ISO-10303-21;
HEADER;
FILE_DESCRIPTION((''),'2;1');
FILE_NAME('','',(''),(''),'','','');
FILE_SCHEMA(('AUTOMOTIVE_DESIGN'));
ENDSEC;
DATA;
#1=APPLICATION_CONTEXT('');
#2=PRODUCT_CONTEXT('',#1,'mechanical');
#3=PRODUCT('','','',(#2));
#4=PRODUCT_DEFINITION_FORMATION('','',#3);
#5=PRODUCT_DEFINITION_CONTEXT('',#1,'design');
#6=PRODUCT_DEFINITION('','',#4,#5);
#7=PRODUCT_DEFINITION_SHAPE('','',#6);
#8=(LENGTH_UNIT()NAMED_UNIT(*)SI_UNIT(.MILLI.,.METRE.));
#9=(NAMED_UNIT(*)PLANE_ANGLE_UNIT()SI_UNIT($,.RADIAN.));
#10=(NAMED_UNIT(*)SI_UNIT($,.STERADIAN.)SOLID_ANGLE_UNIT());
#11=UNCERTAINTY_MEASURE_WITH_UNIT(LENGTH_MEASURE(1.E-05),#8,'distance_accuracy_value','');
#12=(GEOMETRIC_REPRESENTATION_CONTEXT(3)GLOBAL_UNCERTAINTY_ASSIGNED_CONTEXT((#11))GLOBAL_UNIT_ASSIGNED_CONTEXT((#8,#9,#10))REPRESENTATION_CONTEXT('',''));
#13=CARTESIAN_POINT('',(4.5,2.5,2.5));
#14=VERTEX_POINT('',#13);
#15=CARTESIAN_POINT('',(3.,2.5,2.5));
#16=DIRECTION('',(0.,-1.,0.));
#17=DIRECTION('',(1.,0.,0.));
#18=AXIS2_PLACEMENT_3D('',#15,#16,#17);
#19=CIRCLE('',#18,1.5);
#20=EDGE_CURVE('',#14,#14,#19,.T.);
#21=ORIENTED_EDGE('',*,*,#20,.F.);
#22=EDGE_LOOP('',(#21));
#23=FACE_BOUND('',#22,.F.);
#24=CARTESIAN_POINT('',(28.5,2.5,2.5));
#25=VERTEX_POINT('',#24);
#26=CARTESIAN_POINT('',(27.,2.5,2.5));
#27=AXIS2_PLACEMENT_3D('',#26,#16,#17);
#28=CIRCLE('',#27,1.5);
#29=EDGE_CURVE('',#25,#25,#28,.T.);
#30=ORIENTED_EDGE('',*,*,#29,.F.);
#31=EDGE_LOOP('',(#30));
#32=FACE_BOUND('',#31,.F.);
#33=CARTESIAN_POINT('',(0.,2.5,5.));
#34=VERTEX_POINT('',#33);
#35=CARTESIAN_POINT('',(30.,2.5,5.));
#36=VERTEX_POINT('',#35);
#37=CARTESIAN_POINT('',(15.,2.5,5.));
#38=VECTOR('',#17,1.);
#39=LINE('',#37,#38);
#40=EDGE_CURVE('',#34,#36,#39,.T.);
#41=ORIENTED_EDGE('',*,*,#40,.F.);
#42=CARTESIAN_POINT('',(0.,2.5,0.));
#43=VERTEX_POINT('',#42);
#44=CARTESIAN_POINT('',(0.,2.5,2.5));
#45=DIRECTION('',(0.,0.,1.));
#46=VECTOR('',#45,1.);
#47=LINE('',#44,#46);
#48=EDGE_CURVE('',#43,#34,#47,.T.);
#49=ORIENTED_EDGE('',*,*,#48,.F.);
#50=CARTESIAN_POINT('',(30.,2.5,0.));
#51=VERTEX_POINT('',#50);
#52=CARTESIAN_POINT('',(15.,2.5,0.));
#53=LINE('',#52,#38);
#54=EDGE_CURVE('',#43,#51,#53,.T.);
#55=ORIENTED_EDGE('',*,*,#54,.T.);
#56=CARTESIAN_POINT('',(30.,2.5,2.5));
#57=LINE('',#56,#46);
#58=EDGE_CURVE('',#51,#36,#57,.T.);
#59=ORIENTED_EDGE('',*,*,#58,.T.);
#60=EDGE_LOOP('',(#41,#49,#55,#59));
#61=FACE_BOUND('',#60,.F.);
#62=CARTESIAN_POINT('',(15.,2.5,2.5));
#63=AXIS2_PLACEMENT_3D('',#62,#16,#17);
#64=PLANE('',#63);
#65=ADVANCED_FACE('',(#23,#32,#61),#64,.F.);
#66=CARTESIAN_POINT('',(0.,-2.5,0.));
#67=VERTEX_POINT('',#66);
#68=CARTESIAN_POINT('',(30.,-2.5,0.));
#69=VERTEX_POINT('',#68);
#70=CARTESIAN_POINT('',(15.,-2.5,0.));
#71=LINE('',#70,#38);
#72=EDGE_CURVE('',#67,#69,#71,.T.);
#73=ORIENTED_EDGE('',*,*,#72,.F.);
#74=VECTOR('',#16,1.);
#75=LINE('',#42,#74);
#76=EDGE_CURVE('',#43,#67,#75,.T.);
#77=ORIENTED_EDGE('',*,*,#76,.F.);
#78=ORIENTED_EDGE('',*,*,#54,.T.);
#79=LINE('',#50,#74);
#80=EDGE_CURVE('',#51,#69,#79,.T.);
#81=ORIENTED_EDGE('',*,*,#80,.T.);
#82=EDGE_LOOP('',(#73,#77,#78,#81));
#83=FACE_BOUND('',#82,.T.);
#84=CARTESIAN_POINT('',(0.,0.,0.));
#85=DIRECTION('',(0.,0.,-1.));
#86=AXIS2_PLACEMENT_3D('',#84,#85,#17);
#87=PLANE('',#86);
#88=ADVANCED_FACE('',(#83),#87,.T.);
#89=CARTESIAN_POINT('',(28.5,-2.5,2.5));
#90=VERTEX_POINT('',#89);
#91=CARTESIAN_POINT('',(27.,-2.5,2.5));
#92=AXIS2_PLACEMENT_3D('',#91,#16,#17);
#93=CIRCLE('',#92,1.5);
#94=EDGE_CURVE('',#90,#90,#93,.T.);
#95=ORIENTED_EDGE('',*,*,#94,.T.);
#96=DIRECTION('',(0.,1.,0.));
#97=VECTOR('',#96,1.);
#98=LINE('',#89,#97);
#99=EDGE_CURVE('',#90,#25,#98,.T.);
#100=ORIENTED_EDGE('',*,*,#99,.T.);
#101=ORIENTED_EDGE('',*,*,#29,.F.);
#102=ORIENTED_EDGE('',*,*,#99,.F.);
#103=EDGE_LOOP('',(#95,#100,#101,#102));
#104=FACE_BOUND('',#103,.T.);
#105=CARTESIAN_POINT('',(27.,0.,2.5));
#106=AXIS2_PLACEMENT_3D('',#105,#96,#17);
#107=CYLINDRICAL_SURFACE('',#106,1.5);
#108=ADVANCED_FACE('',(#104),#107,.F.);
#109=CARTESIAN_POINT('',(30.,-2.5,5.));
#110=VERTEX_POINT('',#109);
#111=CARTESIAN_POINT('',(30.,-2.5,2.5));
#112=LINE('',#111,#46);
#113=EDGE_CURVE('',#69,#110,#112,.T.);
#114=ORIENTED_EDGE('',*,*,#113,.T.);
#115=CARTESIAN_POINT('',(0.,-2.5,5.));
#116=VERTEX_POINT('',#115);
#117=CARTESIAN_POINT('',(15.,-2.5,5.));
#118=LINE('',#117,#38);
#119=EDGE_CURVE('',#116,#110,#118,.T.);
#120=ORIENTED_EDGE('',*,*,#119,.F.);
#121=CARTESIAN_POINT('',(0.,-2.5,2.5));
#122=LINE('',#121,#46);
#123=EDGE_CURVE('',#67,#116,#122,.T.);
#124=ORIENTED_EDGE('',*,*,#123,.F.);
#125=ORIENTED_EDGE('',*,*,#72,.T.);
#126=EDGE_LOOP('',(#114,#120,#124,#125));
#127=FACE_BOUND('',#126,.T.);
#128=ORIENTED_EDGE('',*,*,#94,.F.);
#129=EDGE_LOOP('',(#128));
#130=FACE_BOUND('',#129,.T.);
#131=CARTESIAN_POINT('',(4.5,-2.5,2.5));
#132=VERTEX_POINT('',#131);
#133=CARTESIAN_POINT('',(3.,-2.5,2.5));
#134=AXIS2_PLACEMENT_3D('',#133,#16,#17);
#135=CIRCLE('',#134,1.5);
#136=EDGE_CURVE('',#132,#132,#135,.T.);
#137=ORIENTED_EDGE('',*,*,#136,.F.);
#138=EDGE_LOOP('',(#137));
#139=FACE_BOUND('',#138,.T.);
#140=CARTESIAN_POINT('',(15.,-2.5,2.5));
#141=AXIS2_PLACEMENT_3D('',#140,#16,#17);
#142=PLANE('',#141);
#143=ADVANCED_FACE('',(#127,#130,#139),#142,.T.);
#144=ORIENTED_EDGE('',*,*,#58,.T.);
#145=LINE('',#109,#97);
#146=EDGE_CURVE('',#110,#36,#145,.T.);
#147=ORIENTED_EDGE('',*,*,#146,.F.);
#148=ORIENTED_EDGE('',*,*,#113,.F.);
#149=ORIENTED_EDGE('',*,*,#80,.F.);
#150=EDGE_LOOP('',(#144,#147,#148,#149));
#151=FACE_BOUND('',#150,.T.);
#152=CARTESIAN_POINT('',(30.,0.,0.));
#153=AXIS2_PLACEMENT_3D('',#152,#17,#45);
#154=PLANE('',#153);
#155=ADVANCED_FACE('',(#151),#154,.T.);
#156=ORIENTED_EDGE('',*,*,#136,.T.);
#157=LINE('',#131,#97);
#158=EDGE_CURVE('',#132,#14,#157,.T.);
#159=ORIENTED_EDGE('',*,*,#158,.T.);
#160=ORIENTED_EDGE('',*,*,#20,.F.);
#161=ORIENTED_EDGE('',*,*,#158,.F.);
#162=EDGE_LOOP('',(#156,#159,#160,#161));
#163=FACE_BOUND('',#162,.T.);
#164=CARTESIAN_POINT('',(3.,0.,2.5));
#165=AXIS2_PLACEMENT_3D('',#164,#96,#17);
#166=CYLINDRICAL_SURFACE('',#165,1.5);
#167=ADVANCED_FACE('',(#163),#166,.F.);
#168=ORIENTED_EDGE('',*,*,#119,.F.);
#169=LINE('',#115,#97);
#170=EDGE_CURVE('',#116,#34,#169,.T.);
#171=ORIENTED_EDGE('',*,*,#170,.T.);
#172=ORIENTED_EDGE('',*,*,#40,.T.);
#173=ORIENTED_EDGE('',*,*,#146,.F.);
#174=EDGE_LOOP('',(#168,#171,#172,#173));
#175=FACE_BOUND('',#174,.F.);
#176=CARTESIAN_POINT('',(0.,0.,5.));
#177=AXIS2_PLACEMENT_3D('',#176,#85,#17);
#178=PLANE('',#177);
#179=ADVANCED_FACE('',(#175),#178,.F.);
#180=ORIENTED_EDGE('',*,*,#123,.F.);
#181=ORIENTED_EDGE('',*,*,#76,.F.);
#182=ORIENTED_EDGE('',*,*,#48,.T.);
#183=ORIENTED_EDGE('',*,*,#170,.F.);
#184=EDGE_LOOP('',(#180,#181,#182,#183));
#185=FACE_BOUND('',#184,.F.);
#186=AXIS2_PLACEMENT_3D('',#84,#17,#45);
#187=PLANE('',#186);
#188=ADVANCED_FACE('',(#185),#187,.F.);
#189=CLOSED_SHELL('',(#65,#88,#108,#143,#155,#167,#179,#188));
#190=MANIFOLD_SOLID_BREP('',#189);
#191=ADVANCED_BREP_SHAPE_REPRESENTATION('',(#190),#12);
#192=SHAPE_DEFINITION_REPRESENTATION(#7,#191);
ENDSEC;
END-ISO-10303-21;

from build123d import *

# Parameters (mm, degrees)
F0_W     = 30
F0_H     = 5
F0_R     = 1.5
F1_DEPTH = 2.5


with BuildPart() as f1:
    # F0 (on Front) → F1 (new body, symmetric)
    with BuildSketch(Plane.XZ):
        with Locations((15, 2.5)):
            Rectangle(F0_W, F0_H)
        with Locations((3, 2.5)):
            Circle(F0_R, mode=Mode.SUBTRACT)
        with Locations((27, 2.5)):
            Circle(F0_R, mode=Mode.SUBTRACT)
    extrude(amount=F1_DEPTH, both=True)


solid = f1.part
